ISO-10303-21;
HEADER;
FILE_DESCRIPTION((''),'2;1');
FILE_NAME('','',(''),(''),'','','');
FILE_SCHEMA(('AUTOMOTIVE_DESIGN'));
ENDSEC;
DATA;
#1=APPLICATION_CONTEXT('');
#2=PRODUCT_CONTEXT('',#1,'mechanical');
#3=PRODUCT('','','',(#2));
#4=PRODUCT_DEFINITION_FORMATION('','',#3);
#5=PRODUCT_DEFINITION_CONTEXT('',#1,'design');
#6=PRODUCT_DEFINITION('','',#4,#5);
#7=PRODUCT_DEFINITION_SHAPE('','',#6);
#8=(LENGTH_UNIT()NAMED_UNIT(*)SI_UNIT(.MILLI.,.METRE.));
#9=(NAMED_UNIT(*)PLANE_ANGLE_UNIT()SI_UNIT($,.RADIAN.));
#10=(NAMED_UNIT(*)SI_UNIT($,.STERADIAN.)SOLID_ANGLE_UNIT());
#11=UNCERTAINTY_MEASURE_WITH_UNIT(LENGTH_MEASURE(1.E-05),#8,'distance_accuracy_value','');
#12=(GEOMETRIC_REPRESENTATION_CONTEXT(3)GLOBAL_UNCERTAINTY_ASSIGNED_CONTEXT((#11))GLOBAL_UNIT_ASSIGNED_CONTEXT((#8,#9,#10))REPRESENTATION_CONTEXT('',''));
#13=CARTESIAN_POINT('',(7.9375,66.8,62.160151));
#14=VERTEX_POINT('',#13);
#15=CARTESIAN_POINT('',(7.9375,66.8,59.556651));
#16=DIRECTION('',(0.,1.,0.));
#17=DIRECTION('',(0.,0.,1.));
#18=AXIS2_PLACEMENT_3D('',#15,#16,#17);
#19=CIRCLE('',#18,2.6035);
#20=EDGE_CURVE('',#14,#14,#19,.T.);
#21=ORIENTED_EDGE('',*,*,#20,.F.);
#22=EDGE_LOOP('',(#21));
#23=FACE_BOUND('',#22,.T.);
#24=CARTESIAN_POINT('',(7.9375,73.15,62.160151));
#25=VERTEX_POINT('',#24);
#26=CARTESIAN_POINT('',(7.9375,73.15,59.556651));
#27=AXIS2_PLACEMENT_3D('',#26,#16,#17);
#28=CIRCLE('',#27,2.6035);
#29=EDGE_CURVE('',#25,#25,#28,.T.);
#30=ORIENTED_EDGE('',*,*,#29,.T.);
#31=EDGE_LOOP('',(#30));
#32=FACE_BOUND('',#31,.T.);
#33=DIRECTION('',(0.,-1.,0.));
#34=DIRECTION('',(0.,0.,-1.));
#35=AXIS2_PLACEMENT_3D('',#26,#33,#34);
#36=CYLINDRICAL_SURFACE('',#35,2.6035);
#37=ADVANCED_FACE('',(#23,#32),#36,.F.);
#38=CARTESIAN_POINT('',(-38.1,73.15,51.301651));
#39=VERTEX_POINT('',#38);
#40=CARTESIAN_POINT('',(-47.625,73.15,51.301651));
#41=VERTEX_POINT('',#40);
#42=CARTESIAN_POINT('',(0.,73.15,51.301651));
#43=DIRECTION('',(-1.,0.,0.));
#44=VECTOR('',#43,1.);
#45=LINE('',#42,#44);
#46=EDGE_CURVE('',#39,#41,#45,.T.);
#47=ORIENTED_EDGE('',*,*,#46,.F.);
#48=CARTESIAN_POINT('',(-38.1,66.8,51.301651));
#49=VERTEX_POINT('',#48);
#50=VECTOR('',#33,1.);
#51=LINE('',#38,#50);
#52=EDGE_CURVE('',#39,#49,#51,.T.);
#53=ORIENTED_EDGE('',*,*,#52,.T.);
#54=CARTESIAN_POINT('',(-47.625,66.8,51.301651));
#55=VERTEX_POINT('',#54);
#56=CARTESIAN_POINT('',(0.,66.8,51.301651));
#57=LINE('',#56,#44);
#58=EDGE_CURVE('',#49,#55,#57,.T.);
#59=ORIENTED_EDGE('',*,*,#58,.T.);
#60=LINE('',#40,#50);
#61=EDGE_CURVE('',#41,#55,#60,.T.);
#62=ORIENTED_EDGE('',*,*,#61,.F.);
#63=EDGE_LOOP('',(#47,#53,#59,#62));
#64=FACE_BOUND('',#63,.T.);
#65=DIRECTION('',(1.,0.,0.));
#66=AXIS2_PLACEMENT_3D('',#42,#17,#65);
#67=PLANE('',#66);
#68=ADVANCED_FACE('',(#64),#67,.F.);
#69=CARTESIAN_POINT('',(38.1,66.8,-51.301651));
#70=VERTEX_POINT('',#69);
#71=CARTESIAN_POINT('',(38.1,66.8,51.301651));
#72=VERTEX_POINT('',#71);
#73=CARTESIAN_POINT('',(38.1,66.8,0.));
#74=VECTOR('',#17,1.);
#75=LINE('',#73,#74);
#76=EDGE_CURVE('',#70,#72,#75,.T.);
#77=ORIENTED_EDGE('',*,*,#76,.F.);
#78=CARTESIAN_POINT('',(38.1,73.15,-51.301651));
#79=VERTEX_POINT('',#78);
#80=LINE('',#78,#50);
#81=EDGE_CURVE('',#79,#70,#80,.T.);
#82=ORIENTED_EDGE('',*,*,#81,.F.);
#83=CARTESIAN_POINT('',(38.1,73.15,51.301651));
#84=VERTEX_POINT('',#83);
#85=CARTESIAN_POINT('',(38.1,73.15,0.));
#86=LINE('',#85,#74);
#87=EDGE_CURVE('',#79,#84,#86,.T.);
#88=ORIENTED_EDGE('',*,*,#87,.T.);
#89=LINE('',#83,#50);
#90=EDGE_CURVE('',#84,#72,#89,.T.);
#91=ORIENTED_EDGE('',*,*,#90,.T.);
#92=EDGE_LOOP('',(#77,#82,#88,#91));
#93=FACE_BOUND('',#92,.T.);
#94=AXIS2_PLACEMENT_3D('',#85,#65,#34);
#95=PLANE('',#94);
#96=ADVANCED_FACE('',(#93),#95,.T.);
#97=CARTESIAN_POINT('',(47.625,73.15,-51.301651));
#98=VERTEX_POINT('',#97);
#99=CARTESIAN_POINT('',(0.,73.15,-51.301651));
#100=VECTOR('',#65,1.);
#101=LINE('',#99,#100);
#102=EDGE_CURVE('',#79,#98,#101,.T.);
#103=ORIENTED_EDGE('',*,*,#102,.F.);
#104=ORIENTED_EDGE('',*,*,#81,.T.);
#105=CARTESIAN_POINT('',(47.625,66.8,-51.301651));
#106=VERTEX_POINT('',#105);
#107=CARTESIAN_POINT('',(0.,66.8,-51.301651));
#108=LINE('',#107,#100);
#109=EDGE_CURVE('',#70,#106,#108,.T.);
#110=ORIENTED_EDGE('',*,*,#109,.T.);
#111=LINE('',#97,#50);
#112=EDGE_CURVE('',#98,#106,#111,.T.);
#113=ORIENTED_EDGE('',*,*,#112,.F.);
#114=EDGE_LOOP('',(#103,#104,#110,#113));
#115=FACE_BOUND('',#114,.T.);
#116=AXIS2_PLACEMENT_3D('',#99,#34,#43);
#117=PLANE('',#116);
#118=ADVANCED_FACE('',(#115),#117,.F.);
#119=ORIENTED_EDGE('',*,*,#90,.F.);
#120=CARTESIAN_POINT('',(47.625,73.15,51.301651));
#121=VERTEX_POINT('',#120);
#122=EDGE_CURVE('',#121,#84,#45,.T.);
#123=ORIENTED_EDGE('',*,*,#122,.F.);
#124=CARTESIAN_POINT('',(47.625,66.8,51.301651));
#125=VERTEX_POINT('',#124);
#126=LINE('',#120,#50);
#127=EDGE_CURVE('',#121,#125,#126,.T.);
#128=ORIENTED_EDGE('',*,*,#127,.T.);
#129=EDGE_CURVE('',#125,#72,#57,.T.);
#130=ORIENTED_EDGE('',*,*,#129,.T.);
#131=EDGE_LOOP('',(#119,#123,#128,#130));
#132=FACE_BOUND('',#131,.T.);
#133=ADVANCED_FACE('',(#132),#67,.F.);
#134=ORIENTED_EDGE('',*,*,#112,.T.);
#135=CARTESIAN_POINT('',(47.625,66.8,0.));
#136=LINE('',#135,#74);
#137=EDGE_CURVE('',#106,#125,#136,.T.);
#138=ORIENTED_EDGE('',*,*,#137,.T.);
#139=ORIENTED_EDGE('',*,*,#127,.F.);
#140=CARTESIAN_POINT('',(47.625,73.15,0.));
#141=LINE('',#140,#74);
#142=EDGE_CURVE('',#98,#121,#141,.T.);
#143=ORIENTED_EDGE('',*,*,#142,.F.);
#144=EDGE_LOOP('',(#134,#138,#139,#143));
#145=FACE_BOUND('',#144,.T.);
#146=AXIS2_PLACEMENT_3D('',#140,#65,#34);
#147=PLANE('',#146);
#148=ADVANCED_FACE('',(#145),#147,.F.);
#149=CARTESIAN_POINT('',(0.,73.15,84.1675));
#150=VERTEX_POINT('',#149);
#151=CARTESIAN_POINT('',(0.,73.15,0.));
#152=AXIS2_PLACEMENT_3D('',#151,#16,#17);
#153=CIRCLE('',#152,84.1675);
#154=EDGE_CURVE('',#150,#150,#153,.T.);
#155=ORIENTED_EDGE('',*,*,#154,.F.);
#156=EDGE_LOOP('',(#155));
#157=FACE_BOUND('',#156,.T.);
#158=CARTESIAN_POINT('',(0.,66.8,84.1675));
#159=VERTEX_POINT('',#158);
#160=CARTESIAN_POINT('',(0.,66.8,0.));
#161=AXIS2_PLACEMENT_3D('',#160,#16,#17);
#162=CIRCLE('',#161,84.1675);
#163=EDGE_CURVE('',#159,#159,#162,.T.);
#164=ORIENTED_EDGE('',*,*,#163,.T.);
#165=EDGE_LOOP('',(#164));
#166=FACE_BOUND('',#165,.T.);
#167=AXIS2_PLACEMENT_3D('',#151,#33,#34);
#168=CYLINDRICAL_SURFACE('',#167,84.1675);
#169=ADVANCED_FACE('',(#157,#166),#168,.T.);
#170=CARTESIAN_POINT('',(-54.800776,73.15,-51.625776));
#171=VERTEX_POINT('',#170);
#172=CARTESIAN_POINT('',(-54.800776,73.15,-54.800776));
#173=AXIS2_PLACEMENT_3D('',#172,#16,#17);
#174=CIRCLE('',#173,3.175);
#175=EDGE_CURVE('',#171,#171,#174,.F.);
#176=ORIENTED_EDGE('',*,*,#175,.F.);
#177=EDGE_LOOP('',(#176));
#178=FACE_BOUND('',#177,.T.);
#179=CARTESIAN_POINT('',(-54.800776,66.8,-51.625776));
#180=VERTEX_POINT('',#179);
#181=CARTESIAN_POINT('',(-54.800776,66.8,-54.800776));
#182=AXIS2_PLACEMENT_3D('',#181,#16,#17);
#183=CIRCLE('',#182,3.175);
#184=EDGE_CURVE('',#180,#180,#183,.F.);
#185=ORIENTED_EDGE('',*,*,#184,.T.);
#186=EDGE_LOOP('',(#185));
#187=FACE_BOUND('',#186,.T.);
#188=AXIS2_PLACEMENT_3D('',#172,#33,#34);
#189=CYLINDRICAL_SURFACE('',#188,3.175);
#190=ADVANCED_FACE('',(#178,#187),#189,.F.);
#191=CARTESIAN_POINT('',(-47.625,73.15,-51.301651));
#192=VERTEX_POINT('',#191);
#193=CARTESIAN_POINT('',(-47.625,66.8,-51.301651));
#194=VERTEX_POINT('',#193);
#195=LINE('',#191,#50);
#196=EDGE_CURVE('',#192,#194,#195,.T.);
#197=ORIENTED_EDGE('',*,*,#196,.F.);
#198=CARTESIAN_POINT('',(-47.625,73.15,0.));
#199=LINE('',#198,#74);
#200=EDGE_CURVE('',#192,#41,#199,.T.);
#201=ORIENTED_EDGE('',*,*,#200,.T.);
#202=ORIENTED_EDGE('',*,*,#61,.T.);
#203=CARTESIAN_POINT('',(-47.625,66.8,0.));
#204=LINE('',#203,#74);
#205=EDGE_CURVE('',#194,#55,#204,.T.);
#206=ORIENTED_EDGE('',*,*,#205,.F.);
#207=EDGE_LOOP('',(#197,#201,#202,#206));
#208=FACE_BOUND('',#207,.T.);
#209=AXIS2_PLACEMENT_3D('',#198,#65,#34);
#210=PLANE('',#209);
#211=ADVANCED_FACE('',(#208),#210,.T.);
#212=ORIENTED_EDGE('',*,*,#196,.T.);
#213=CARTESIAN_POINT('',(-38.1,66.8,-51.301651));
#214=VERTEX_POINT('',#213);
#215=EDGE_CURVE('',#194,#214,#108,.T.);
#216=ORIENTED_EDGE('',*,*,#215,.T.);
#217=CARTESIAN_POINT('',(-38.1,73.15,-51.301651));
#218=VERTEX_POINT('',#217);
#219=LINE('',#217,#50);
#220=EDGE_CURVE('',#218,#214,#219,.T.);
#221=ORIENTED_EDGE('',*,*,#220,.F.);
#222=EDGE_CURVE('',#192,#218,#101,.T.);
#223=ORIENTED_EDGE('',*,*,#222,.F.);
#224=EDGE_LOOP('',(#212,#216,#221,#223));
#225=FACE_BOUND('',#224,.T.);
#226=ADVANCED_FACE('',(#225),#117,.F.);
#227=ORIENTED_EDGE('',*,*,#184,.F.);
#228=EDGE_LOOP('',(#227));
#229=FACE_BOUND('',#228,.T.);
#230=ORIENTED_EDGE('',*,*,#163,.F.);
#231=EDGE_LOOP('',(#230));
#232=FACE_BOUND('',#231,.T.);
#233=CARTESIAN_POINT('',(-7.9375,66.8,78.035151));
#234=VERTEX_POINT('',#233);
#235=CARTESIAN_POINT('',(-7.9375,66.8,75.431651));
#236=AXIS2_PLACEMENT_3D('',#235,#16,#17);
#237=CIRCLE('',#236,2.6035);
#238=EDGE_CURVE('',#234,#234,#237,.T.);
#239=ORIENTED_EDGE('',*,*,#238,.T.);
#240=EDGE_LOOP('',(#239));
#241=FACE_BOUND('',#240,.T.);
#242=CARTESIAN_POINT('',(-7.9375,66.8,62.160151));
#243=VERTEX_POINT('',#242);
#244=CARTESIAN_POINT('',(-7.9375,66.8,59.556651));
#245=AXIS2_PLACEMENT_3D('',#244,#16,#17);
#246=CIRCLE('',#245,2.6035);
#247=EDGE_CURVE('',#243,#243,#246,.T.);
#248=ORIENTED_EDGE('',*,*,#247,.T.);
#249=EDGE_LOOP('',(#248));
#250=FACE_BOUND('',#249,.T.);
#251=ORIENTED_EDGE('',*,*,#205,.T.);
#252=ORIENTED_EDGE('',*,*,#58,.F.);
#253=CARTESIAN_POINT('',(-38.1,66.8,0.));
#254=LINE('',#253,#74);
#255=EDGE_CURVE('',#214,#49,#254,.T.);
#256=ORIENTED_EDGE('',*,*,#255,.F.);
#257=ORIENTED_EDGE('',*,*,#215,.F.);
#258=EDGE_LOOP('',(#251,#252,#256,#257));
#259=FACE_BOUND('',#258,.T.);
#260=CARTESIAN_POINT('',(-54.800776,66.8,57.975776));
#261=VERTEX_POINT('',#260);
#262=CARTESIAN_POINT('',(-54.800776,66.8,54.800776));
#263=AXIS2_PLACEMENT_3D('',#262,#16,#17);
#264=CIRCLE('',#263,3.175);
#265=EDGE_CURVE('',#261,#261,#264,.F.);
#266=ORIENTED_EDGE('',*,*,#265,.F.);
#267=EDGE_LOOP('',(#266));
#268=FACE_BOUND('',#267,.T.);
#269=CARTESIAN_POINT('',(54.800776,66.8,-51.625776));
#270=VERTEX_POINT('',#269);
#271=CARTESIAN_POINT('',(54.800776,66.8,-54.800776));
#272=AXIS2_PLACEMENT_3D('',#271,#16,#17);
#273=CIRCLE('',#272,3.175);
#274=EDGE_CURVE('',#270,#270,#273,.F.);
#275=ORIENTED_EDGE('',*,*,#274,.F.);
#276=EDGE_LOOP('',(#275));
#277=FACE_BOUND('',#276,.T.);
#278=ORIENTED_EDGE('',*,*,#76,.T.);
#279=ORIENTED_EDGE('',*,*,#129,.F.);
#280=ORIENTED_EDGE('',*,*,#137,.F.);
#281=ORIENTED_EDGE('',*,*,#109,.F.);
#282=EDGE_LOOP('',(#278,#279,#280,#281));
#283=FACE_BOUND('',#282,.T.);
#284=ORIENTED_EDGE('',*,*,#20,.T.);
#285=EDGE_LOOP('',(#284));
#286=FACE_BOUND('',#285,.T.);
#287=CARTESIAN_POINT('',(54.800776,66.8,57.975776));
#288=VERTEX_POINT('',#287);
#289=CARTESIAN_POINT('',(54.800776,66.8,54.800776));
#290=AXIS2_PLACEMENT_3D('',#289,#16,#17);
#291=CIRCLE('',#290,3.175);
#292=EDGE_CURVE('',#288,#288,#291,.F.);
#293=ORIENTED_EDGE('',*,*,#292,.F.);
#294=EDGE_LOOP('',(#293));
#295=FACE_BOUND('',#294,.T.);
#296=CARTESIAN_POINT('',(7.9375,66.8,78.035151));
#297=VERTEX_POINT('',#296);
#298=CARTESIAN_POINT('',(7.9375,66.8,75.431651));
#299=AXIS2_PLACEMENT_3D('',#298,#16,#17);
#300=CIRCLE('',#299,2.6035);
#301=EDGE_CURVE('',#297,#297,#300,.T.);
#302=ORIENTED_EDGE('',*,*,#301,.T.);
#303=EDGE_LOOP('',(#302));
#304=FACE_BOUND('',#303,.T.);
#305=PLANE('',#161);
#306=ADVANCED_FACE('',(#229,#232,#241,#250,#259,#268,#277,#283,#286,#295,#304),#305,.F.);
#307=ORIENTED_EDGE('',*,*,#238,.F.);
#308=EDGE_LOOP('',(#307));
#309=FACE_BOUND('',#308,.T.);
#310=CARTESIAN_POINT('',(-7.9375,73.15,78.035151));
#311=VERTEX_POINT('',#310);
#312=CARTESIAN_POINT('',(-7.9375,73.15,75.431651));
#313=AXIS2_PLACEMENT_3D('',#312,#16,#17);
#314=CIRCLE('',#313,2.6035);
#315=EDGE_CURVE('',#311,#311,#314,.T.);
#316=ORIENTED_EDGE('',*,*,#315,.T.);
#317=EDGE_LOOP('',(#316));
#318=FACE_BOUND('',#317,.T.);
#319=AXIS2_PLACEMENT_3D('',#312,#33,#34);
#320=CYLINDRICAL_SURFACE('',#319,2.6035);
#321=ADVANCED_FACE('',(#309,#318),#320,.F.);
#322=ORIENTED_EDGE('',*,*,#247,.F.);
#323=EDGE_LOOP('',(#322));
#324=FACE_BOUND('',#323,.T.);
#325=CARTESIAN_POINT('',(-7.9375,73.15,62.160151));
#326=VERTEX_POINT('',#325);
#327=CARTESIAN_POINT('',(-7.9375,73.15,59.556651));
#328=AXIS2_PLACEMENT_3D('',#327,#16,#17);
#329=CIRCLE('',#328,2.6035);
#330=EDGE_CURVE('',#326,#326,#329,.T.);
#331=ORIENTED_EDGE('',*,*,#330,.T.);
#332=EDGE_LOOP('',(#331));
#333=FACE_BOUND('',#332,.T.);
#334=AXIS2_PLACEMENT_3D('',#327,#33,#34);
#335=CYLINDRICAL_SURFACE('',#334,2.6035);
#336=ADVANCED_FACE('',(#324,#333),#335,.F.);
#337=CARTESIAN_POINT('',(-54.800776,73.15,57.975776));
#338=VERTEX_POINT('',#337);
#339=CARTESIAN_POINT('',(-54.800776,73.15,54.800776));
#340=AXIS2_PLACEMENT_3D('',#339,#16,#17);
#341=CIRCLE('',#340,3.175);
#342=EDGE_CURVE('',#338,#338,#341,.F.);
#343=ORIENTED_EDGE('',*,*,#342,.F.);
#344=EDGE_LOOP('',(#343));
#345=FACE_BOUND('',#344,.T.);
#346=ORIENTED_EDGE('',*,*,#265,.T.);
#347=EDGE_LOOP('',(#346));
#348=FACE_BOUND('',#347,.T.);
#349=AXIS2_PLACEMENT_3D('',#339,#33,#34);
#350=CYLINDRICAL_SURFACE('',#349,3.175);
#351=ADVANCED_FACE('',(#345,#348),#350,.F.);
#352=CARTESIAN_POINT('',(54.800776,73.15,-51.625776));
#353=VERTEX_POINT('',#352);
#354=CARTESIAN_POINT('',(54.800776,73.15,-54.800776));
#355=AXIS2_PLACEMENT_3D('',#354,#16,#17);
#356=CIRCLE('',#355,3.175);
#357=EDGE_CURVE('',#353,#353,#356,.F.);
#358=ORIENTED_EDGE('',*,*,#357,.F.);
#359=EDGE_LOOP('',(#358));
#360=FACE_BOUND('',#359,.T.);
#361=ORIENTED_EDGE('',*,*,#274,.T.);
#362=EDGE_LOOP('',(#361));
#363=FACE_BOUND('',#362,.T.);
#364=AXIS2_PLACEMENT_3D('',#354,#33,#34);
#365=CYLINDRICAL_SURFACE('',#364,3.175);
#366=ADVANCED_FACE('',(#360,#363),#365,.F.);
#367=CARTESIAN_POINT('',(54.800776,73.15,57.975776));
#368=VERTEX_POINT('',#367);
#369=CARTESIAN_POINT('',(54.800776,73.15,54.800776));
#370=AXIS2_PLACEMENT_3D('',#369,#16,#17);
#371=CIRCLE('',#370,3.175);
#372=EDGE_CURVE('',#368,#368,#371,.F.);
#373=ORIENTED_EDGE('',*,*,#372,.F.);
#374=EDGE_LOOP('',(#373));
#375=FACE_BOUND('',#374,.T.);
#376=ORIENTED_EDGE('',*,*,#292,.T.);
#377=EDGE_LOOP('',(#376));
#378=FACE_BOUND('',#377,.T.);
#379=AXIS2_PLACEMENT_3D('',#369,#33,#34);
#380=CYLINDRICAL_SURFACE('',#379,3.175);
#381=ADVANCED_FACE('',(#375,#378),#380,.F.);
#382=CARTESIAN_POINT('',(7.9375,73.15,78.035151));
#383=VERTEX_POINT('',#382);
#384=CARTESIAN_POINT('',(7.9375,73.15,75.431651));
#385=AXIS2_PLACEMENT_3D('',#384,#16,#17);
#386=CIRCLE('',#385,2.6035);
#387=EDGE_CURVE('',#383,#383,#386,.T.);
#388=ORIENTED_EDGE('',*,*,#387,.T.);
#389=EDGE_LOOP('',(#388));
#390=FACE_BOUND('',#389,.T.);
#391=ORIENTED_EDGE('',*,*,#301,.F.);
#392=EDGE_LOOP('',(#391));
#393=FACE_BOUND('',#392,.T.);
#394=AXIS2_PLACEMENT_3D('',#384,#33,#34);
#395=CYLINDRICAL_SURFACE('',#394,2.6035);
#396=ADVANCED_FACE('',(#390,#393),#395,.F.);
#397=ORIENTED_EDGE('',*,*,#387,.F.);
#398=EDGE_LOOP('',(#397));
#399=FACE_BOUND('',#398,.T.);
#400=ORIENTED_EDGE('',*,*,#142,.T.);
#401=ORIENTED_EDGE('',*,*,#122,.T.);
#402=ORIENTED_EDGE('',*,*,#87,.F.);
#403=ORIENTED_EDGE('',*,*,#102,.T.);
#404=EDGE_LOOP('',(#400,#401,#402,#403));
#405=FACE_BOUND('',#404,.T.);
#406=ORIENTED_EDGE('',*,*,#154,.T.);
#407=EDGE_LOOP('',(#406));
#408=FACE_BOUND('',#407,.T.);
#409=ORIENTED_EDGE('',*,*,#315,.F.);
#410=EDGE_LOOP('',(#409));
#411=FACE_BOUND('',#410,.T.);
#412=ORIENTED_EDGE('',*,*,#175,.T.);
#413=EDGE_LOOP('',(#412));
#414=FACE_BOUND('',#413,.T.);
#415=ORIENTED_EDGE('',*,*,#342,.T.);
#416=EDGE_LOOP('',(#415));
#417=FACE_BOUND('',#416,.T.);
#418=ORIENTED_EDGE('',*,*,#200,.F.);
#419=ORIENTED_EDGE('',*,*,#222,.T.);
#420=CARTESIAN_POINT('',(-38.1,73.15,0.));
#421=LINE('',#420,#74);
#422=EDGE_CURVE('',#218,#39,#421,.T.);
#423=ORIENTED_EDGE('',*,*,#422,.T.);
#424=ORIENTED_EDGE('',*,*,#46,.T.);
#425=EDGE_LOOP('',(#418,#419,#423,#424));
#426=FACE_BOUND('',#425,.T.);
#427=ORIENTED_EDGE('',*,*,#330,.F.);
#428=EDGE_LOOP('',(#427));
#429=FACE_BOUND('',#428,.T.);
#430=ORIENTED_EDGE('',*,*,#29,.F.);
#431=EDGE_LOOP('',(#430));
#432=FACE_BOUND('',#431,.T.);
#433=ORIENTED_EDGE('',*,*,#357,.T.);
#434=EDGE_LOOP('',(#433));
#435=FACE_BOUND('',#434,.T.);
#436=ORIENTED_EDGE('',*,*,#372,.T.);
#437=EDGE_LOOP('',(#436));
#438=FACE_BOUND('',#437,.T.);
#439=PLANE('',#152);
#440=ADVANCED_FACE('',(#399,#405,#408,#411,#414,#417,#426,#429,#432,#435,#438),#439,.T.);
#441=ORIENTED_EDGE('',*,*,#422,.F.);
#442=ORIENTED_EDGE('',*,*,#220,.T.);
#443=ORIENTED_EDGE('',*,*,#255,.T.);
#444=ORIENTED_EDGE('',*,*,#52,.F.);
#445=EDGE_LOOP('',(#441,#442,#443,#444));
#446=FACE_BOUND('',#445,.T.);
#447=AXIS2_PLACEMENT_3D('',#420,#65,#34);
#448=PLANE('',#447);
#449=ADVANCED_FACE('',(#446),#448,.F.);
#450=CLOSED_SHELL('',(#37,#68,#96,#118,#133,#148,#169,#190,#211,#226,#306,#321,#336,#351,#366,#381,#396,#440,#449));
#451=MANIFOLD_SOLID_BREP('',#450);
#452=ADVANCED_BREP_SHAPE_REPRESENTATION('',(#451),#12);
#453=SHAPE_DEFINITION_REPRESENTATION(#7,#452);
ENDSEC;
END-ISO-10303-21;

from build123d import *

# Parameters (mm, degrees)
SKETCH1_R           = 84.1675
SKETCH1_W           = 9.525
SKETCH1_H           = 102.603301604
SKETCH1_R_2         = 2.6035
SKETCH1_R_3         = 3.175
BOSS_EXTRUDE1_DEPTH = 6.35


with BuildPart() as part:
    # Sketch1 → Boss-Extrude1 (new body)
    with BuildSketch(Plane(origin=(0, 66.8, 0), x_dir=(1, 0, 0), z_dir=(0, 1, 0))):
        with Locations(Location((0, 0, 0), (0, 0, 270))):
            Circle(SKETCH1_R)
        with Locations((-42.8625, 0)):
            Rectangle(SKETCH1_W, SKETCH1_H, mode=Mode.SUBTRACT)
        with Locations((42.8625, 0)):
            Rectangle(SKETCH1_W, SKETCH1_H, mode=Mode.SUBTRACT)
        with Locations(Location((-7.9375, -59.556650802, 0), (0, 0, 270))):
            Circle(SKETCH1_R_2, mode=Mode.SUBTRACT)
        with Locations(Location((7.9375, -59.556650802, 0), (0, 0, 270))):
            Circle(SKETCH1_R_2, mode=Mode.SUBTRACT)
        with Locations(Location((-54.800775542, -54.800775542, 0), (0, 0, 270))):
            Circle(SKETCH1_R_3, mode=Mode.SUBTRACT)
        with Locations(Location((-7.9375, -75.431650802, 0), (0, 0, 270))):
            Circle(SKETCH1_R_2, mode=Mode.SUBTRACT)
        with Locations(Location((7.9375, -75.431650802, 0), (0, 0, 270))):
            Circle(SKETCH1_R_2, mode=Mode.SUBTRACT)
        with Locations(Location((54.800775542, -54.800775542, 0), (0, 0, 270))):
            Circle(SKETCH1_R_3, mode=Mode.SUBTRACT)
        with Locations(Location((-54.800775542, 54.800775542, 0), (0, 0, 270))):
            Circle(SKETCH1_R_3, mode=Mode.SUBTRACT)
        with Locations(Location((54.800775542, 54.800775542, 0), (0, 0, 270))):
            Circle(SKETCH1_R_3, mode=Mode.SUBTRACT)
    extrude(amount=BOSS_EXTRUDE1_DEPTH)


solid = part.part
